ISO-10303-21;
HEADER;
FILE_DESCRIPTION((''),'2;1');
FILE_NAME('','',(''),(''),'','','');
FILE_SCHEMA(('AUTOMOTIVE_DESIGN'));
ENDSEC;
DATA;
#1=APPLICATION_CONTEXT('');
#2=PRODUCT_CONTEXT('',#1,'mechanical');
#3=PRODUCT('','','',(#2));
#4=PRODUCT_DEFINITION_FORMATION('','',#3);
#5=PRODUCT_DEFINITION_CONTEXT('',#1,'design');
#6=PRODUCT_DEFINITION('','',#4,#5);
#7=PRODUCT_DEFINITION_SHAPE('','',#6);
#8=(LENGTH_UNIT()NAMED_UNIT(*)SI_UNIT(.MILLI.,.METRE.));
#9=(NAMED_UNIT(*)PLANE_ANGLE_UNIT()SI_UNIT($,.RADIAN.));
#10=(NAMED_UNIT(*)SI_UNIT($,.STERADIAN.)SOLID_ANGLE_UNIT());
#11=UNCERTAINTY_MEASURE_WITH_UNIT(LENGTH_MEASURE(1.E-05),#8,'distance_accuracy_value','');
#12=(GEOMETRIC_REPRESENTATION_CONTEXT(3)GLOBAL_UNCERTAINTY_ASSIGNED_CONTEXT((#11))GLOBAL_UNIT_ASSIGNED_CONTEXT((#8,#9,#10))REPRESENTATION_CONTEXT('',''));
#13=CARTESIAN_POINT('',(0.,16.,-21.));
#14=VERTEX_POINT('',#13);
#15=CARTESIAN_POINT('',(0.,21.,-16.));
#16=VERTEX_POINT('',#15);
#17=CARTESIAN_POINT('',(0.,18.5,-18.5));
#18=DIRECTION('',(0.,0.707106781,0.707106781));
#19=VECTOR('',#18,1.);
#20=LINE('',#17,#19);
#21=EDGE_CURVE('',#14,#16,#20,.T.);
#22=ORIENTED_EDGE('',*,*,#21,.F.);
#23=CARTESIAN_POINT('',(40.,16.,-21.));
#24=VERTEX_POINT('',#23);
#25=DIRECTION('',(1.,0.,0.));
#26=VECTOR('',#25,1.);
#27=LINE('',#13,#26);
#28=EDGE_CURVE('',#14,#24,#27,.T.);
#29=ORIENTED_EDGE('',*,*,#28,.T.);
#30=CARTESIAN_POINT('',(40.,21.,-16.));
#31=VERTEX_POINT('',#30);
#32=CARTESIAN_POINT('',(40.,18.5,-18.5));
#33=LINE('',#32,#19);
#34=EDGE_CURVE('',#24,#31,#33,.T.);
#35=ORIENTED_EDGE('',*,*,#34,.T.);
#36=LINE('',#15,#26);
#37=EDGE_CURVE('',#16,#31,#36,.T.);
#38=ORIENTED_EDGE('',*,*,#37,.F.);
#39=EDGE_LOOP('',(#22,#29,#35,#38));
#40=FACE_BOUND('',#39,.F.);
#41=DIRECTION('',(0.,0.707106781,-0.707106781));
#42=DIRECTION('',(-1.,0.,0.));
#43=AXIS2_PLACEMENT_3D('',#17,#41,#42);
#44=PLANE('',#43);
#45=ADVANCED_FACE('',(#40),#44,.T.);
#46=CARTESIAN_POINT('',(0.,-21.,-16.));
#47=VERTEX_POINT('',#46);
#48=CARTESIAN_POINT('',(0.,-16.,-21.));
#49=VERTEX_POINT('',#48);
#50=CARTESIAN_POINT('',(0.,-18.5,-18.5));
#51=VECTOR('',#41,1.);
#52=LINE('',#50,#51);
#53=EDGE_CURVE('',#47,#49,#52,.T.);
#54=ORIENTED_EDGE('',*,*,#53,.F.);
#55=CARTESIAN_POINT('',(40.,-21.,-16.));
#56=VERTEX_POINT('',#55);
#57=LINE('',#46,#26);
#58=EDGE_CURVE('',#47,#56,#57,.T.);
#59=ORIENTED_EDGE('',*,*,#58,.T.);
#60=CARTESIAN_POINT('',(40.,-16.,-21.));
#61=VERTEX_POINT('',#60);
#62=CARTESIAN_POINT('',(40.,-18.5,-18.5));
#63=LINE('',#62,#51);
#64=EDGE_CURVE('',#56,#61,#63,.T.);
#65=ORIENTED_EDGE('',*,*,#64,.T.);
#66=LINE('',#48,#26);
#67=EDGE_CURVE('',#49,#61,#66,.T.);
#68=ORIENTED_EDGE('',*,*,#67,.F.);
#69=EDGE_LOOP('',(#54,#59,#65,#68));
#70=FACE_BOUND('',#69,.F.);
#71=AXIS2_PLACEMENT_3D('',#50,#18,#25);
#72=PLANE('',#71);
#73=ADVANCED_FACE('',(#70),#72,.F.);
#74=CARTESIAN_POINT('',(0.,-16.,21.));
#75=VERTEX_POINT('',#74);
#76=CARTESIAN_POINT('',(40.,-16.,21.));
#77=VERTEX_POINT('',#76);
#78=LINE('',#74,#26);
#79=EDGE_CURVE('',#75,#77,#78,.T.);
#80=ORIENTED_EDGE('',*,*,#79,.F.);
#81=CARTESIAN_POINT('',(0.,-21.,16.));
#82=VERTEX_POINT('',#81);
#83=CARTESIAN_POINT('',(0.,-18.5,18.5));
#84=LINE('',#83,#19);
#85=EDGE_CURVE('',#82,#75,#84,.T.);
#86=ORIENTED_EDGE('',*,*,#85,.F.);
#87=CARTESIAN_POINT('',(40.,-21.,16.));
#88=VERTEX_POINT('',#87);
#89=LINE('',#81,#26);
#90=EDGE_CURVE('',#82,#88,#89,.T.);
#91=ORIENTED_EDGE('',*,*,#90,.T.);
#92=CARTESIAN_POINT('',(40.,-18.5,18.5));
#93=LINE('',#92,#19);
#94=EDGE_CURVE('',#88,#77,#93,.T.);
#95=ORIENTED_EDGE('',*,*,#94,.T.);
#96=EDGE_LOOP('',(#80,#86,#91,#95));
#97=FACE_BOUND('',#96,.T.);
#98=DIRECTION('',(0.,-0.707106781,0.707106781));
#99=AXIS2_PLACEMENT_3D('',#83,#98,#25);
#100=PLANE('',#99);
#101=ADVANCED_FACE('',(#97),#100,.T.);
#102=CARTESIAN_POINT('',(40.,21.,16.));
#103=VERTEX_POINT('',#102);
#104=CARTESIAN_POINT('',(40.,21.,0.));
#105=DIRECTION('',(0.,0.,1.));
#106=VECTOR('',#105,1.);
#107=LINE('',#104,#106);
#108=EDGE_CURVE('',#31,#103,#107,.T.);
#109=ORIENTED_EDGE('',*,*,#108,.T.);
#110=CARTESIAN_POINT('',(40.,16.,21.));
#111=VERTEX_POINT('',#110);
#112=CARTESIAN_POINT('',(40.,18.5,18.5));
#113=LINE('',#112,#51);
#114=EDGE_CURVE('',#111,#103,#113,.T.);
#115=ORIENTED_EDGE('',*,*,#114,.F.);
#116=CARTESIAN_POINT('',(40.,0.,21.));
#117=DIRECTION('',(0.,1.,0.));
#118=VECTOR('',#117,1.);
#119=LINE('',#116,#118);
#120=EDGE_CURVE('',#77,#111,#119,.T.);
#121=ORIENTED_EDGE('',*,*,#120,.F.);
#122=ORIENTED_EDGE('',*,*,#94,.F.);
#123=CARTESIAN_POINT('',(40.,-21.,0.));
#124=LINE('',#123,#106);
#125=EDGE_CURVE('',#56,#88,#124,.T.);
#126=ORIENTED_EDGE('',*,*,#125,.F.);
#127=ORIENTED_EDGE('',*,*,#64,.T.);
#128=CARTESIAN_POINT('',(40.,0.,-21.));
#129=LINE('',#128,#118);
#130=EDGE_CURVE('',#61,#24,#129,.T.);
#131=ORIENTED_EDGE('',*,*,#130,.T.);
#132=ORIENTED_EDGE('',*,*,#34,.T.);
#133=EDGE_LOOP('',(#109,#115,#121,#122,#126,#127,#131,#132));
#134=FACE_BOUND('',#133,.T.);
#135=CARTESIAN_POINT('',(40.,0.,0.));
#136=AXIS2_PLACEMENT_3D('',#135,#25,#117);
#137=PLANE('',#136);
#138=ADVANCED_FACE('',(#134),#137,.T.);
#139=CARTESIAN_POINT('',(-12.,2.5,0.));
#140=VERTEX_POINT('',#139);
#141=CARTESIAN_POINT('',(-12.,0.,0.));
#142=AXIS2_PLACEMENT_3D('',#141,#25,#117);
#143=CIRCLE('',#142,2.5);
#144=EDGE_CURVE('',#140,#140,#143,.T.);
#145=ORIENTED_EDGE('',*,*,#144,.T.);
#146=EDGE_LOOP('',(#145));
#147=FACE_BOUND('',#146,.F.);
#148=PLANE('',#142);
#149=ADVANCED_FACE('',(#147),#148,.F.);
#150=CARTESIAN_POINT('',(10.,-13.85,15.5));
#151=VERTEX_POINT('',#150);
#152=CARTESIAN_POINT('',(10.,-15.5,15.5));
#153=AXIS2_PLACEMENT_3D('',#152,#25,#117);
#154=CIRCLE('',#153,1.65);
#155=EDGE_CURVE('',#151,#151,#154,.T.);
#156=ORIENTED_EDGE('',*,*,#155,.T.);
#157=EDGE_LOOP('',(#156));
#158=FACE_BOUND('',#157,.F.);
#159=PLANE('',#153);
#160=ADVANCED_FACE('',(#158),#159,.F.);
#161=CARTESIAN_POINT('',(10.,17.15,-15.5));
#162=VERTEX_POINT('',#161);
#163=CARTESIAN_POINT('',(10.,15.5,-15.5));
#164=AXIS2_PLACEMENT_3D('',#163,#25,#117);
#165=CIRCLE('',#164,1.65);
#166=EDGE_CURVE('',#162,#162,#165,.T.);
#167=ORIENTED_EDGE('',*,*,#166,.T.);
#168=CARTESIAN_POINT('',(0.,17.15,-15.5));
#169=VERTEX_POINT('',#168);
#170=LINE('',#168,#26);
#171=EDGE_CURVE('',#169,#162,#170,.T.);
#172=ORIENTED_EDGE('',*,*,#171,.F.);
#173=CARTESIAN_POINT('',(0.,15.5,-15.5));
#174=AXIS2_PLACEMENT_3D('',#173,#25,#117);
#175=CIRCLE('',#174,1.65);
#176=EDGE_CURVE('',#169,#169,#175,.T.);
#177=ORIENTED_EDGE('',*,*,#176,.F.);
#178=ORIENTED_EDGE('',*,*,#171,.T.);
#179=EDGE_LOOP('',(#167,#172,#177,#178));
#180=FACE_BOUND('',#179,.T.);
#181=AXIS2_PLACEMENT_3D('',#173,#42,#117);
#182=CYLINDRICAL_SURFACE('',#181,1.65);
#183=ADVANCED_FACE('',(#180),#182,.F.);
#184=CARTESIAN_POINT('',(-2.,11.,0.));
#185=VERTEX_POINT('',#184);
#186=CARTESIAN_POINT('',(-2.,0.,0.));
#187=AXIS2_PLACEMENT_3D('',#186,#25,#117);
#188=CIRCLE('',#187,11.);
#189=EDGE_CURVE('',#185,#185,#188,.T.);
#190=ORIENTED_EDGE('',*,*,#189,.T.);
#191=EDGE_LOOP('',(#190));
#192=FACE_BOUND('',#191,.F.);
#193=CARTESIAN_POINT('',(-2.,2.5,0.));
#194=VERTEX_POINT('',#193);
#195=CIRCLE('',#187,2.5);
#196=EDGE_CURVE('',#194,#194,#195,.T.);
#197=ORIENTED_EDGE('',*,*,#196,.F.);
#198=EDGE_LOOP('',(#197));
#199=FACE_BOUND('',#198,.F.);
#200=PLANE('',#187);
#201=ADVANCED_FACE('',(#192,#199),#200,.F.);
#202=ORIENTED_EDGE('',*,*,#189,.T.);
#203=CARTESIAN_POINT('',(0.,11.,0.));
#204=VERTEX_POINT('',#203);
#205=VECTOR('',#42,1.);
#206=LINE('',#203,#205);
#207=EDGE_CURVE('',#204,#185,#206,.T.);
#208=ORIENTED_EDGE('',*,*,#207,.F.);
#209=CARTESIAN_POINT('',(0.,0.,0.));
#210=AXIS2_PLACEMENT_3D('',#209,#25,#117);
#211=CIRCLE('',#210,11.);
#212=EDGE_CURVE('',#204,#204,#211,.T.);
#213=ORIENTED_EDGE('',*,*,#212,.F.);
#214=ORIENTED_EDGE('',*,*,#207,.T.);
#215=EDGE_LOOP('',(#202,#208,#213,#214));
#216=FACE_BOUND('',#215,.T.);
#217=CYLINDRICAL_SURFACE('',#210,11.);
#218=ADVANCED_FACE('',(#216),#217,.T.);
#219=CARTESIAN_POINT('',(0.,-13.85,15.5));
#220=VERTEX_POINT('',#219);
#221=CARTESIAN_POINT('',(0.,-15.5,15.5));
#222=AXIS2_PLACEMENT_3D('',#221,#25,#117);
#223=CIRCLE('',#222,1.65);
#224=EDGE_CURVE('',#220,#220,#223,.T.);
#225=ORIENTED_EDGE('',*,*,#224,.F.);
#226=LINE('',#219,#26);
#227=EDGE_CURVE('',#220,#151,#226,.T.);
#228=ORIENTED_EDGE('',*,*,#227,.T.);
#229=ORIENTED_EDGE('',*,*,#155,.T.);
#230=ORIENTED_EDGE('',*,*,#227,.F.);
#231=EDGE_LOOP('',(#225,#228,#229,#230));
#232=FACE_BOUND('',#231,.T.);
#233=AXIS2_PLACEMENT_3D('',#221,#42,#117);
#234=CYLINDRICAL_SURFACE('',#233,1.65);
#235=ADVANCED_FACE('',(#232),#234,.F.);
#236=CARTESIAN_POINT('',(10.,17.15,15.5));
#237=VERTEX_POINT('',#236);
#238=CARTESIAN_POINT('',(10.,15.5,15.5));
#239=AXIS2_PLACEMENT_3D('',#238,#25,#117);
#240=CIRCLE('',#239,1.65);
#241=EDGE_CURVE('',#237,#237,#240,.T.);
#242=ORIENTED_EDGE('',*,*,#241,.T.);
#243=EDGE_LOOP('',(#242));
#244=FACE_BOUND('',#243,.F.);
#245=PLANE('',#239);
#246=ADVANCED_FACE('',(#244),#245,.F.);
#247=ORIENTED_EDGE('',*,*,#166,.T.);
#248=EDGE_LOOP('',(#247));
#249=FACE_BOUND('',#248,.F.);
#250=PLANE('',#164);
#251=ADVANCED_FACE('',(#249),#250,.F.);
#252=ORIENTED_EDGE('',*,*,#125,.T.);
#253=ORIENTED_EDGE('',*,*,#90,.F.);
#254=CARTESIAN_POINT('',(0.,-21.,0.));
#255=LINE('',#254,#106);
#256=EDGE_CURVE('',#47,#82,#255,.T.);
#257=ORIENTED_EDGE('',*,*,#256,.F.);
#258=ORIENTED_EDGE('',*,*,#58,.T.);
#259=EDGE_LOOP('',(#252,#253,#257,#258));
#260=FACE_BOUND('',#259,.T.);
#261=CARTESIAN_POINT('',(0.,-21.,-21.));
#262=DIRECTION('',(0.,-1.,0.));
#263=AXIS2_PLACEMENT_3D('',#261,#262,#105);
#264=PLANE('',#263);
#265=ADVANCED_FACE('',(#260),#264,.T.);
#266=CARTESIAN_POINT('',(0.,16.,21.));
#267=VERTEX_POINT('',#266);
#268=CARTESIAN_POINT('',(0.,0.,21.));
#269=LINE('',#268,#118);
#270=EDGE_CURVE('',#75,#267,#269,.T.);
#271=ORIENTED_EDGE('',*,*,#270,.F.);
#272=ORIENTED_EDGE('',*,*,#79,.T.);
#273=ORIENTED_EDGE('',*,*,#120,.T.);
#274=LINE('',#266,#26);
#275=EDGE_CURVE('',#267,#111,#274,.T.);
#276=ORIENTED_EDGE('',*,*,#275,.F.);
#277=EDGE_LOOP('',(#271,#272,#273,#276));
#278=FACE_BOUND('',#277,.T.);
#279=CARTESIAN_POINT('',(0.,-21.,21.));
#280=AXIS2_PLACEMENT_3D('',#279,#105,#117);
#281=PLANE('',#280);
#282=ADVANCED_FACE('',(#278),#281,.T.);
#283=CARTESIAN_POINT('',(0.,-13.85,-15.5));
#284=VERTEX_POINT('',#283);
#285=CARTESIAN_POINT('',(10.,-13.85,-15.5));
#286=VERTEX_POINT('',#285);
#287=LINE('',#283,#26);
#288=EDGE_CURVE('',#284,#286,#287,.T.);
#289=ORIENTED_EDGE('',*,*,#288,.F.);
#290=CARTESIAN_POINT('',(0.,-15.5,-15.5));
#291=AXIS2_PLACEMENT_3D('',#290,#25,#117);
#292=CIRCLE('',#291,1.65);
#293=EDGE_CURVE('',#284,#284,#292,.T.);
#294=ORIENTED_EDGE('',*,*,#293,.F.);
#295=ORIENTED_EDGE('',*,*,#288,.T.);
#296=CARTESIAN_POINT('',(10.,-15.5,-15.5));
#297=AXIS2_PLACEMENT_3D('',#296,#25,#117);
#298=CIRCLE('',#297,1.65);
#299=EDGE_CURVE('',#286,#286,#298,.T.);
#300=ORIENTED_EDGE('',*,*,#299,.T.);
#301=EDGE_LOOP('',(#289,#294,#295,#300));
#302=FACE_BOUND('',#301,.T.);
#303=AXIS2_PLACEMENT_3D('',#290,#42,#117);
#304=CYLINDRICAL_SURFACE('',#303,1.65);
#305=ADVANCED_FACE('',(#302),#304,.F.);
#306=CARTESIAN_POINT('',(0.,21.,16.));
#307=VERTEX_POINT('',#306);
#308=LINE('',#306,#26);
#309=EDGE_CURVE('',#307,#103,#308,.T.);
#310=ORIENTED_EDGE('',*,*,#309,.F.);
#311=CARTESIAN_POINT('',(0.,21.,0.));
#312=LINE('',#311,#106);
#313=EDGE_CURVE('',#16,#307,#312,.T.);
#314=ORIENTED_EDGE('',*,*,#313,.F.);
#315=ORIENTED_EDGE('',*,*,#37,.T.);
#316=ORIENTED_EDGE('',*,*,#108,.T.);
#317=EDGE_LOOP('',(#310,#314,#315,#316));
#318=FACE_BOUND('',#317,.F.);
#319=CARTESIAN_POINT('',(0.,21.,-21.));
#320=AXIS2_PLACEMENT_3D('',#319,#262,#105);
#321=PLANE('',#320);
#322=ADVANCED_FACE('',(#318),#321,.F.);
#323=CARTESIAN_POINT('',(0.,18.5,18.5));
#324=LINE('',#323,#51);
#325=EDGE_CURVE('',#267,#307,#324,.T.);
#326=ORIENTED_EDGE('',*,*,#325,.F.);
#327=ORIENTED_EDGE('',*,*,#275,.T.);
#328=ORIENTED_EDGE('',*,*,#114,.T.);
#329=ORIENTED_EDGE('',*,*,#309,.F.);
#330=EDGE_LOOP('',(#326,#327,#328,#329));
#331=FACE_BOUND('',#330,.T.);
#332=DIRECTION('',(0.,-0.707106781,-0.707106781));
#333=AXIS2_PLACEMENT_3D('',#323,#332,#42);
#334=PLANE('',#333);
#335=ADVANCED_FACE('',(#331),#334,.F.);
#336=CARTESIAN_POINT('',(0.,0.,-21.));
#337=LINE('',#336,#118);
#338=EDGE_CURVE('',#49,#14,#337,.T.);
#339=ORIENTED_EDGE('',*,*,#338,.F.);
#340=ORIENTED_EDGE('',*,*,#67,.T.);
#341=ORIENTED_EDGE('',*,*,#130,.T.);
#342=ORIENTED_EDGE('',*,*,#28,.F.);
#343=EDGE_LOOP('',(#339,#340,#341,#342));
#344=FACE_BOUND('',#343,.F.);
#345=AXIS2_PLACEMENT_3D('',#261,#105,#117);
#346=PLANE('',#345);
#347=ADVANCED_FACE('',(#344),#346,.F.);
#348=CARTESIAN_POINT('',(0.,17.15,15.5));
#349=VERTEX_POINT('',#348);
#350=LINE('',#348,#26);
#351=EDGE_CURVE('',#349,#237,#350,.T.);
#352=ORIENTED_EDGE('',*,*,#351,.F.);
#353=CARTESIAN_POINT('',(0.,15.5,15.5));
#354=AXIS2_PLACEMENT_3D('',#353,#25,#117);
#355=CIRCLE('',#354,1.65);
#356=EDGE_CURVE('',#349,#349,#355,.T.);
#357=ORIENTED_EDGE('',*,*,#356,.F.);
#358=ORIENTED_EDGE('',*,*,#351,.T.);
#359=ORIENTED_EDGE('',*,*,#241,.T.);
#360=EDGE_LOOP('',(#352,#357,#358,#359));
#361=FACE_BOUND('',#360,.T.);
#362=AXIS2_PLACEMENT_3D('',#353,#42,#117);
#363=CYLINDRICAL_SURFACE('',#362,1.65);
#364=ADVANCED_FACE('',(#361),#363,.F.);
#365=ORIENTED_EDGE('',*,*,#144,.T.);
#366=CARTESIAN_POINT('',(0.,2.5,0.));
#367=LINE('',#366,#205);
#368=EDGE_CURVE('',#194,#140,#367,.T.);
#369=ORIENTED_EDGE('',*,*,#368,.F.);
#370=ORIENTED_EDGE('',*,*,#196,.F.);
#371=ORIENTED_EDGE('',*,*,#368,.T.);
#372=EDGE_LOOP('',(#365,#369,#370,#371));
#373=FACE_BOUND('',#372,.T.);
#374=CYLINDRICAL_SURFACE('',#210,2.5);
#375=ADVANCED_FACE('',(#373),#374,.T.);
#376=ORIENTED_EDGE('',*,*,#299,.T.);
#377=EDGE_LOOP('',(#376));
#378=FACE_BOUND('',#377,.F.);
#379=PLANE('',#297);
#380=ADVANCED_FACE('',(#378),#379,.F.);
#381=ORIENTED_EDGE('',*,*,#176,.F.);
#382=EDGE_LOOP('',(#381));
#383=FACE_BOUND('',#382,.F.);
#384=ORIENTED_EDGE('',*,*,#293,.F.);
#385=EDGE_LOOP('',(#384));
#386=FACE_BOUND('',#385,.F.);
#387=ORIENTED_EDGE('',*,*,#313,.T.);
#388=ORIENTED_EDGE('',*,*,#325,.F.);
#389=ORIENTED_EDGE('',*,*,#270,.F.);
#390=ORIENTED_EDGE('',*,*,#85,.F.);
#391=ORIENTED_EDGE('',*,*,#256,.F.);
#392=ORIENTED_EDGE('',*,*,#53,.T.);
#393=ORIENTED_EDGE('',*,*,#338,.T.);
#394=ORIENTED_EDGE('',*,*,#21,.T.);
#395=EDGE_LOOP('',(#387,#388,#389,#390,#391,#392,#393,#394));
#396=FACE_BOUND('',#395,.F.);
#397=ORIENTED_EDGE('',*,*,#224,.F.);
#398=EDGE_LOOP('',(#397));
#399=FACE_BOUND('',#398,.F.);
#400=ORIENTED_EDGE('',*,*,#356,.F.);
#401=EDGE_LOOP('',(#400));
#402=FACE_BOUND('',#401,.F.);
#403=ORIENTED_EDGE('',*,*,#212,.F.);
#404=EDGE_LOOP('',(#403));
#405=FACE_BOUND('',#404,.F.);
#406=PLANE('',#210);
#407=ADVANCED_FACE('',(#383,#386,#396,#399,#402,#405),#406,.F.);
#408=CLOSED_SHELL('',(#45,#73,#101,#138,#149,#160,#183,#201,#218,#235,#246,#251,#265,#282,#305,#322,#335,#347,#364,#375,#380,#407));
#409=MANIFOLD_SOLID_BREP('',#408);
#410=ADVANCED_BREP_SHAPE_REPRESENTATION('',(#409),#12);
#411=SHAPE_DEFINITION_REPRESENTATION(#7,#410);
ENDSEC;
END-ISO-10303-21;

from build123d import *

# Parameters (mm, degrees)
F0_W     = 42
F0_H     = 42
F0_R     = 1.65
F0_R_2   = 11
F0_R_3   = 2.5
F1_DEPTH = 40
F2_DEPTH = 2
F3_DEPTH = 12
F4_DEPTH = 10
F5_SIZE  = 5


with BuildPart() as f1:
    # F0 (on Right) → F1 (new body)
    with BuildSketch(Plane.YZ):
        Rectangle(F0_W, F0_H)
        with Locations((-15.5, -15.5)):
            Circle(F0_R, mode=Mode.SUBTRACT)
        with Locations((15.5, -15.5)):
            Circle(F0_R, mode=Mode.SUBTRACT)
        with Locations((-15.5, 15.5)):
            Circle(F0_R, mode=Mode.SUBTRACT)
        Circle(F0_R_2, mode=Mode.SUBTRACT)
        with Locations((15.5, 15.5)):
            Circle(F0_R, mode=Mode.SUBTRACT)
        with Locations((15.5, -15.5)):
            Circle(F0_R)
        with Locations((-15.5, -15.5)):
            Circle(F0_R)
        with Locations((-15.5, 15.5)):
            Circle(F0_R)
        with Locations((15.5, 15.5)):
            Circle(F0_R)
        Circle(F0_R_2)
        Circle(F0_R_3, mode=Mode.SUBTRACT)
        Circle(F0_R_3)
    extrude(amount=F1_DEPTH)

    # F0 (on Right) → F2 (join)
    with BuildSketch(Plane.YZ):
        Circle(F0_R_2)
        Circle(F0_R_3, mode=Mode.SUBTRACT)
        Circle(F0_R_3)
    extrude(amount=-F2_DEPTH)

    # F0 (on Right) → F3 (join)
    with BuildSketch(Plane.YZ):
        Circle(F0_R_3)
    extrude(amount=-F3_DEPTH)

    # F0 (on Right) → F4 (cut)
    with BuildSketch(Plane.YZ):
        with Locations((15.5, 15.5)):
            Circle(F0_R)
        with Locations((15.5, -15.5)):
            Circle(F0_R)
        with Locations((-15.5, 15.5)):
            Circle(F0_R)
        with Locations((-15.5, -15.5)):
            Circle(F0_R)
    extrude(amount=F4_DEPTH, mode=Mode.SUBTRACT)

    # F5
    f5_edges = [f1.edges().sort_by_distance(p)[0] for p in [
        (20, -21, 21),
        (20, 21, 21),
        (20, 21, -21),
        (20, -21, -21),
    ]]
    chamfer(f5_edges, length=F5_SIZE)


solid = f1.part
